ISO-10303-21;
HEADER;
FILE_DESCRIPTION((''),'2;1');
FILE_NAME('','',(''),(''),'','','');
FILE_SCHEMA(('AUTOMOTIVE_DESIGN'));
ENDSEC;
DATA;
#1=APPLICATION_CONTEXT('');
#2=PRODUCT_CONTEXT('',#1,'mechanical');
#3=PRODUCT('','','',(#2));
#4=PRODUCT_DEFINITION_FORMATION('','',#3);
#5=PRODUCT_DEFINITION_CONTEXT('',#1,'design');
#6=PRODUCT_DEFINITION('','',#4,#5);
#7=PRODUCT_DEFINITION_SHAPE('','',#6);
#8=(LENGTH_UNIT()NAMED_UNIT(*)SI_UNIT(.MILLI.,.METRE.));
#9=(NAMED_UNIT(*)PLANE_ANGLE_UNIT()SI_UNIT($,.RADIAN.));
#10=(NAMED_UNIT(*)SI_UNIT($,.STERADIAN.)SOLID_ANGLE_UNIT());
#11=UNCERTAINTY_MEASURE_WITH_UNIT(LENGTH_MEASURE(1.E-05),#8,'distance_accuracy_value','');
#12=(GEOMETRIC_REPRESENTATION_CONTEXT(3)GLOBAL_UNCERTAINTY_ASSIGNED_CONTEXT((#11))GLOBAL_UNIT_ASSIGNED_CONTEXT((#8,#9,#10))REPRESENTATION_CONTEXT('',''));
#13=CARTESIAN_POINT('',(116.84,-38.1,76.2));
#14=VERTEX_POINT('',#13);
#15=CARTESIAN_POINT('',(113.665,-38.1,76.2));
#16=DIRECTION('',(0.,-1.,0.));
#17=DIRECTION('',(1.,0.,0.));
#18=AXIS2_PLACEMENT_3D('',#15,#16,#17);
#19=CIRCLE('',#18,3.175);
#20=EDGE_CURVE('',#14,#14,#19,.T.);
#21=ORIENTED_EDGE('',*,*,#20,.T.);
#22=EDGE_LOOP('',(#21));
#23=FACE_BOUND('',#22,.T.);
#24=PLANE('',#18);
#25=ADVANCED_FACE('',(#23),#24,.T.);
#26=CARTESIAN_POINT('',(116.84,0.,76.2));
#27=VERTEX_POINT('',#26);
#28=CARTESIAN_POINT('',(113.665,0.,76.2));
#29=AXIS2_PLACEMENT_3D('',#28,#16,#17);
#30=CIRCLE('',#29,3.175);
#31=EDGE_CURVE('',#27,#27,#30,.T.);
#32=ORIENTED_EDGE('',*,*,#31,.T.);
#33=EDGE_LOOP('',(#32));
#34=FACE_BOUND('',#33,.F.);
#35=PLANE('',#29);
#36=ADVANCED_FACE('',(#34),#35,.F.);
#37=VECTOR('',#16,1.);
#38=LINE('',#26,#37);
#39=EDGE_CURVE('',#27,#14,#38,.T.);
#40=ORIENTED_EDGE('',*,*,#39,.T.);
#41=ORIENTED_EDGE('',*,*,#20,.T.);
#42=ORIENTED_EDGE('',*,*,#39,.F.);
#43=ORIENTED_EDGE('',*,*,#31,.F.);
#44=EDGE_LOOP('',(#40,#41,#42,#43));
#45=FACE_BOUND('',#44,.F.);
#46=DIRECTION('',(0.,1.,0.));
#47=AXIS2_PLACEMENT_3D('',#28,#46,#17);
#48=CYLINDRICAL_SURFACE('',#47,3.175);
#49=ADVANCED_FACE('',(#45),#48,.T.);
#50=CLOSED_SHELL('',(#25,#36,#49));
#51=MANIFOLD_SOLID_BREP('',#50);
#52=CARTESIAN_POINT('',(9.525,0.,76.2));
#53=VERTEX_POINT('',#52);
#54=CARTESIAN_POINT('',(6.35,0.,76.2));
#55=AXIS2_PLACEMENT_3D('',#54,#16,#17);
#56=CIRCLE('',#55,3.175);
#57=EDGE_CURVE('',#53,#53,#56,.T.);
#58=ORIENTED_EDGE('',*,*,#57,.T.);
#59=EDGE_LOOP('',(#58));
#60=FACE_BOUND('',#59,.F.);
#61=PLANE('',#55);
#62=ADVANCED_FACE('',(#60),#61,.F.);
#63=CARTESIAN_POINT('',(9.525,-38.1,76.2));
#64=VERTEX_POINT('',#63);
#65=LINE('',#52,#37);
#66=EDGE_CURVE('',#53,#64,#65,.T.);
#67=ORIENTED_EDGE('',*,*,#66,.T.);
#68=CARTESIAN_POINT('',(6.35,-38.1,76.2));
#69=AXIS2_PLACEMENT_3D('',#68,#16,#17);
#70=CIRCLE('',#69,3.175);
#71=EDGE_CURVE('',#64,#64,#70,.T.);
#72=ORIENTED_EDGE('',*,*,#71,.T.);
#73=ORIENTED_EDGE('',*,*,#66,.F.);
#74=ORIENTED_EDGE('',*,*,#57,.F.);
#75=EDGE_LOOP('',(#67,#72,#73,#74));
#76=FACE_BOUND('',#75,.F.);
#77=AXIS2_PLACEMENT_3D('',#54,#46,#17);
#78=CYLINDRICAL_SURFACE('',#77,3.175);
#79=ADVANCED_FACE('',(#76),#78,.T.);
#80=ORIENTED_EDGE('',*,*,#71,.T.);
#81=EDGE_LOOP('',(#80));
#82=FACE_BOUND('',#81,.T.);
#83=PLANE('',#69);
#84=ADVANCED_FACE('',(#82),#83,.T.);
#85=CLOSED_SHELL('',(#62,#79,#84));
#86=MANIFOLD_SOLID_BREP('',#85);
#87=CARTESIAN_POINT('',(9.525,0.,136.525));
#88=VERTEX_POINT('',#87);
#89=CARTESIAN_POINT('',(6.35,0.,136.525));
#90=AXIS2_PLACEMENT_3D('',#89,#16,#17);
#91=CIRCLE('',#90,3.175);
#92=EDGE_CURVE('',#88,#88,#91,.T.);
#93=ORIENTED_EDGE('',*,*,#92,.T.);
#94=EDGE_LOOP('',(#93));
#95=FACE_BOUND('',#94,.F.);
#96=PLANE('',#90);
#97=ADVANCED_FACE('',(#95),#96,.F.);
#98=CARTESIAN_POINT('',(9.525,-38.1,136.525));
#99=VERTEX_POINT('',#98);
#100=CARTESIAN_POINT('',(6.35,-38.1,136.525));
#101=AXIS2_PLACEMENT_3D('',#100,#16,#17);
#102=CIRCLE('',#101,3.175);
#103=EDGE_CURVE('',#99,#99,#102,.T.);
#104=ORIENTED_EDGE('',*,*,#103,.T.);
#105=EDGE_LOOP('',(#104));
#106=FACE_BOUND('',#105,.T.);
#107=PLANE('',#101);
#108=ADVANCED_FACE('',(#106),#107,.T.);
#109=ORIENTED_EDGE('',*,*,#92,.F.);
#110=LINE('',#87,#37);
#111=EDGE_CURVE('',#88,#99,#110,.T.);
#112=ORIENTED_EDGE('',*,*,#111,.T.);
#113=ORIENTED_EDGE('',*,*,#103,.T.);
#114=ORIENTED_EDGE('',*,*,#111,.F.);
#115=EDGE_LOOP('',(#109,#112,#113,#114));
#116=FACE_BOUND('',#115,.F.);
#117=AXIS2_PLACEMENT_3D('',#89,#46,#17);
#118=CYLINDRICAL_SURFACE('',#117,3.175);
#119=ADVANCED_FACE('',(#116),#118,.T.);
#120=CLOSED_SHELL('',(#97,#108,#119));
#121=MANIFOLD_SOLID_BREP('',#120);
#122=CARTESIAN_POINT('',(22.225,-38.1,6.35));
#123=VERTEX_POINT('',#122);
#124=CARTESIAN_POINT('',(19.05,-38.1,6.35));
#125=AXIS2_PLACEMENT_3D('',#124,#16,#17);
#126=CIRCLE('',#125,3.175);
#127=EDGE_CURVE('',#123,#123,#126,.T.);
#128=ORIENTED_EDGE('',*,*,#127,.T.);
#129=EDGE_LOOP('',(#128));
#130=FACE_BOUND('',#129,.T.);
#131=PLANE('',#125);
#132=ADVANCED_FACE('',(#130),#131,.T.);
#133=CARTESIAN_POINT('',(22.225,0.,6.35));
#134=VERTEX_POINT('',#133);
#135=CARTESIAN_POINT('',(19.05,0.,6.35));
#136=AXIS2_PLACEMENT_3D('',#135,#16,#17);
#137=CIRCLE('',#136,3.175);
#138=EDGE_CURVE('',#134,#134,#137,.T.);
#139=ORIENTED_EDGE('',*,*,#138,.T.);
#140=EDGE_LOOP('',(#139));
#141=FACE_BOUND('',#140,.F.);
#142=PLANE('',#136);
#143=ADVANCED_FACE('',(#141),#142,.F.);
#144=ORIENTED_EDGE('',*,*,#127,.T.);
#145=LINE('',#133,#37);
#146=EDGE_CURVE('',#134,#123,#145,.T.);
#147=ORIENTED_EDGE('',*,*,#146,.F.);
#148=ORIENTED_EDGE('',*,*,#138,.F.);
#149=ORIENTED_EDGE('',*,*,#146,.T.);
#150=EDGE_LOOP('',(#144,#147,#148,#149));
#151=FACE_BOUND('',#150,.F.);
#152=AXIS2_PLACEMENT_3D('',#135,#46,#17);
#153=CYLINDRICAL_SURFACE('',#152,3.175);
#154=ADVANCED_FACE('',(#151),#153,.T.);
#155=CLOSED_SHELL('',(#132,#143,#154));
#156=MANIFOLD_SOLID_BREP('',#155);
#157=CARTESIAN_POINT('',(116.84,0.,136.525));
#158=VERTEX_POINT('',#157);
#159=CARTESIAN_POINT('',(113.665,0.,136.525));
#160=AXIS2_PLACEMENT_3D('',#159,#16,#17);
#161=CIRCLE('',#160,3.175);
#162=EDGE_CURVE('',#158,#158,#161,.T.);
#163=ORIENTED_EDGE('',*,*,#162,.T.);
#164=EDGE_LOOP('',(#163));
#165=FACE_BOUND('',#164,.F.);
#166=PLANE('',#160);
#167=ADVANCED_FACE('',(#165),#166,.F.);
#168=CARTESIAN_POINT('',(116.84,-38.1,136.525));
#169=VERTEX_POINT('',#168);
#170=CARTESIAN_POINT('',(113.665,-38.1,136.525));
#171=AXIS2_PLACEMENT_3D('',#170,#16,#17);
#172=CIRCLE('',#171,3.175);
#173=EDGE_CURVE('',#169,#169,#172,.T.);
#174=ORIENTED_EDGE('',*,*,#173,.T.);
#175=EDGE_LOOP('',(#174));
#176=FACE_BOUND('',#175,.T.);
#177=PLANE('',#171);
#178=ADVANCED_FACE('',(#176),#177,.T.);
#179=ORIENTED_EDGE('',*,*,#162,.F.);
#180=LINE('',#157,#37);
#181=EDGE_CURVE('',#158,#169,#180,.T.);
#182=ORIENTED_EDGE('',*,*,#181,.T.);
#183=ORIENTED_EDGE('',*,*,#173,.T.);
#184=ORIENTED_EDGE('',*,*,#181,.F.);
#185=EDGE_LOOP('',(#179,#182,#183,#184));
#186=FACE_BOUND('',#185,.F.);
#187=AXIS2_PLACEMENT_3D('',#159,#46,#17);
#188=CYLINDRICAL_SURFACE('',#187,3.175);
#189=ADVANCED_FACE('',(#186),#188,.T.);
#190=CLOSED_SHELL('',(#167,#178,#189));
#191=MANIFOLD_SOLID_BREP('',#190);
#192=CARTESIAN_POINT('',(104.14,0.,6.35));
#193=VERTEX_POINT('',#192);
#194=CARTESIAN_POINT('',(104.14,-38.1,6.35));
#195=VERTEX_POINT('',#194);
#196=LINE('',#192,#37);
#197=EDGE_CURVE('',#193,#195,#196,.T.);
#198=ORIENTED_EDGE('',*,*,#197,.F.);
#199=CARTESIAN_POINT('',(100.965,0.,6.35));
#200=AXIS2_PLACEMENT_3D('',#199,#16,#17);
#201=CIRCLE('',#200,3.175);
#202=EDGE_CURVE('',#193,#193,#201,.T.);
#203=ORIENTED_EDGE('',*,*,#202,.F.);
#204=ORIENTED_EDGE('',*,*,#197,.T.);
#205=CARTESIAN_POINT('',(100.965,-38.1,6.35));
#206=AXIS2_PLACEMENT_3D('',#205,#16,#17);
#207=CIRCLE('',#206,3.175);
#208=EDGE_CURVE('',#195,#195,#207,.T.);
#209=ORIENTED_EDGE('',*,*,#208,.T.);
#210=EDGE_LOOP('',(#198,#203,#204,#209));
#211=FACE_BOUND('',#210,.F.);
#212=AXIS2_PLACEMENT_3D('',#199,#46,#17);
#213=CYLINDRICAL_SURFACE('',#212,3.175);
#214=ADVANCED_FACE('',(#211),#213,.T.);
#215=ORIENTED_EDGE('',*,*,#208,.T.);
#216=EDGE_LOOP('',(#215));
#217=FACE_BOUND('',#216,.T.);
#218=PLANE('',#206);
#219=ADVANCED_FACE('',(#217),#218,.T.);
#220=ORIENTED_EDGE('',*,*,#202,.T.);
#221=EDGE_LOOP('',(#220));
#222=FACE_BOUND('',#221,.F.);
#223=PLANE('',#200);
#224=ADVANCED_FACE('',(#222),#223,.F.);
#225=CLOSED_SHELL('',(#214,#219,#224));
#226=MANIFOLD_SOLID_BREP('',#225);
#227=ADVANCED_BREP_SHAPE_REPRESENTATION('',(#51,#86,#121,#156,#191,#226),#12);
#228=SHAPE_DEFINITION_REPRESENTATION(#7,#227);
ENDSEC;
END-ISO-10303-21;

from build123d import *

# Parameters (mm, degrees)
F0_R     = 3.175
F1_DEPTH = 38.1


with BuildPart() as f1:
    # F0 (on Front) → F1 (new body)
    with BuildSketch(Plane.XZ):
        with Locations((6.35, 76.2)):
            Circle(F0_R)
        with Locations((6.35, 136.525)):
            Circle(F0_R)
        with Locations((19.05, 6.35)):
            Circle(F0_R)
        with Locations((100.965, 6.35)):
            Circle(F0_R)
        with Locations((113.665, 76.2)):
            Circle(F0_R)
        with Locations((113.665, 136.525)):
            Circle(F0_R)
    extrude(amount=F1_DEPTH)


solid = f1.part
